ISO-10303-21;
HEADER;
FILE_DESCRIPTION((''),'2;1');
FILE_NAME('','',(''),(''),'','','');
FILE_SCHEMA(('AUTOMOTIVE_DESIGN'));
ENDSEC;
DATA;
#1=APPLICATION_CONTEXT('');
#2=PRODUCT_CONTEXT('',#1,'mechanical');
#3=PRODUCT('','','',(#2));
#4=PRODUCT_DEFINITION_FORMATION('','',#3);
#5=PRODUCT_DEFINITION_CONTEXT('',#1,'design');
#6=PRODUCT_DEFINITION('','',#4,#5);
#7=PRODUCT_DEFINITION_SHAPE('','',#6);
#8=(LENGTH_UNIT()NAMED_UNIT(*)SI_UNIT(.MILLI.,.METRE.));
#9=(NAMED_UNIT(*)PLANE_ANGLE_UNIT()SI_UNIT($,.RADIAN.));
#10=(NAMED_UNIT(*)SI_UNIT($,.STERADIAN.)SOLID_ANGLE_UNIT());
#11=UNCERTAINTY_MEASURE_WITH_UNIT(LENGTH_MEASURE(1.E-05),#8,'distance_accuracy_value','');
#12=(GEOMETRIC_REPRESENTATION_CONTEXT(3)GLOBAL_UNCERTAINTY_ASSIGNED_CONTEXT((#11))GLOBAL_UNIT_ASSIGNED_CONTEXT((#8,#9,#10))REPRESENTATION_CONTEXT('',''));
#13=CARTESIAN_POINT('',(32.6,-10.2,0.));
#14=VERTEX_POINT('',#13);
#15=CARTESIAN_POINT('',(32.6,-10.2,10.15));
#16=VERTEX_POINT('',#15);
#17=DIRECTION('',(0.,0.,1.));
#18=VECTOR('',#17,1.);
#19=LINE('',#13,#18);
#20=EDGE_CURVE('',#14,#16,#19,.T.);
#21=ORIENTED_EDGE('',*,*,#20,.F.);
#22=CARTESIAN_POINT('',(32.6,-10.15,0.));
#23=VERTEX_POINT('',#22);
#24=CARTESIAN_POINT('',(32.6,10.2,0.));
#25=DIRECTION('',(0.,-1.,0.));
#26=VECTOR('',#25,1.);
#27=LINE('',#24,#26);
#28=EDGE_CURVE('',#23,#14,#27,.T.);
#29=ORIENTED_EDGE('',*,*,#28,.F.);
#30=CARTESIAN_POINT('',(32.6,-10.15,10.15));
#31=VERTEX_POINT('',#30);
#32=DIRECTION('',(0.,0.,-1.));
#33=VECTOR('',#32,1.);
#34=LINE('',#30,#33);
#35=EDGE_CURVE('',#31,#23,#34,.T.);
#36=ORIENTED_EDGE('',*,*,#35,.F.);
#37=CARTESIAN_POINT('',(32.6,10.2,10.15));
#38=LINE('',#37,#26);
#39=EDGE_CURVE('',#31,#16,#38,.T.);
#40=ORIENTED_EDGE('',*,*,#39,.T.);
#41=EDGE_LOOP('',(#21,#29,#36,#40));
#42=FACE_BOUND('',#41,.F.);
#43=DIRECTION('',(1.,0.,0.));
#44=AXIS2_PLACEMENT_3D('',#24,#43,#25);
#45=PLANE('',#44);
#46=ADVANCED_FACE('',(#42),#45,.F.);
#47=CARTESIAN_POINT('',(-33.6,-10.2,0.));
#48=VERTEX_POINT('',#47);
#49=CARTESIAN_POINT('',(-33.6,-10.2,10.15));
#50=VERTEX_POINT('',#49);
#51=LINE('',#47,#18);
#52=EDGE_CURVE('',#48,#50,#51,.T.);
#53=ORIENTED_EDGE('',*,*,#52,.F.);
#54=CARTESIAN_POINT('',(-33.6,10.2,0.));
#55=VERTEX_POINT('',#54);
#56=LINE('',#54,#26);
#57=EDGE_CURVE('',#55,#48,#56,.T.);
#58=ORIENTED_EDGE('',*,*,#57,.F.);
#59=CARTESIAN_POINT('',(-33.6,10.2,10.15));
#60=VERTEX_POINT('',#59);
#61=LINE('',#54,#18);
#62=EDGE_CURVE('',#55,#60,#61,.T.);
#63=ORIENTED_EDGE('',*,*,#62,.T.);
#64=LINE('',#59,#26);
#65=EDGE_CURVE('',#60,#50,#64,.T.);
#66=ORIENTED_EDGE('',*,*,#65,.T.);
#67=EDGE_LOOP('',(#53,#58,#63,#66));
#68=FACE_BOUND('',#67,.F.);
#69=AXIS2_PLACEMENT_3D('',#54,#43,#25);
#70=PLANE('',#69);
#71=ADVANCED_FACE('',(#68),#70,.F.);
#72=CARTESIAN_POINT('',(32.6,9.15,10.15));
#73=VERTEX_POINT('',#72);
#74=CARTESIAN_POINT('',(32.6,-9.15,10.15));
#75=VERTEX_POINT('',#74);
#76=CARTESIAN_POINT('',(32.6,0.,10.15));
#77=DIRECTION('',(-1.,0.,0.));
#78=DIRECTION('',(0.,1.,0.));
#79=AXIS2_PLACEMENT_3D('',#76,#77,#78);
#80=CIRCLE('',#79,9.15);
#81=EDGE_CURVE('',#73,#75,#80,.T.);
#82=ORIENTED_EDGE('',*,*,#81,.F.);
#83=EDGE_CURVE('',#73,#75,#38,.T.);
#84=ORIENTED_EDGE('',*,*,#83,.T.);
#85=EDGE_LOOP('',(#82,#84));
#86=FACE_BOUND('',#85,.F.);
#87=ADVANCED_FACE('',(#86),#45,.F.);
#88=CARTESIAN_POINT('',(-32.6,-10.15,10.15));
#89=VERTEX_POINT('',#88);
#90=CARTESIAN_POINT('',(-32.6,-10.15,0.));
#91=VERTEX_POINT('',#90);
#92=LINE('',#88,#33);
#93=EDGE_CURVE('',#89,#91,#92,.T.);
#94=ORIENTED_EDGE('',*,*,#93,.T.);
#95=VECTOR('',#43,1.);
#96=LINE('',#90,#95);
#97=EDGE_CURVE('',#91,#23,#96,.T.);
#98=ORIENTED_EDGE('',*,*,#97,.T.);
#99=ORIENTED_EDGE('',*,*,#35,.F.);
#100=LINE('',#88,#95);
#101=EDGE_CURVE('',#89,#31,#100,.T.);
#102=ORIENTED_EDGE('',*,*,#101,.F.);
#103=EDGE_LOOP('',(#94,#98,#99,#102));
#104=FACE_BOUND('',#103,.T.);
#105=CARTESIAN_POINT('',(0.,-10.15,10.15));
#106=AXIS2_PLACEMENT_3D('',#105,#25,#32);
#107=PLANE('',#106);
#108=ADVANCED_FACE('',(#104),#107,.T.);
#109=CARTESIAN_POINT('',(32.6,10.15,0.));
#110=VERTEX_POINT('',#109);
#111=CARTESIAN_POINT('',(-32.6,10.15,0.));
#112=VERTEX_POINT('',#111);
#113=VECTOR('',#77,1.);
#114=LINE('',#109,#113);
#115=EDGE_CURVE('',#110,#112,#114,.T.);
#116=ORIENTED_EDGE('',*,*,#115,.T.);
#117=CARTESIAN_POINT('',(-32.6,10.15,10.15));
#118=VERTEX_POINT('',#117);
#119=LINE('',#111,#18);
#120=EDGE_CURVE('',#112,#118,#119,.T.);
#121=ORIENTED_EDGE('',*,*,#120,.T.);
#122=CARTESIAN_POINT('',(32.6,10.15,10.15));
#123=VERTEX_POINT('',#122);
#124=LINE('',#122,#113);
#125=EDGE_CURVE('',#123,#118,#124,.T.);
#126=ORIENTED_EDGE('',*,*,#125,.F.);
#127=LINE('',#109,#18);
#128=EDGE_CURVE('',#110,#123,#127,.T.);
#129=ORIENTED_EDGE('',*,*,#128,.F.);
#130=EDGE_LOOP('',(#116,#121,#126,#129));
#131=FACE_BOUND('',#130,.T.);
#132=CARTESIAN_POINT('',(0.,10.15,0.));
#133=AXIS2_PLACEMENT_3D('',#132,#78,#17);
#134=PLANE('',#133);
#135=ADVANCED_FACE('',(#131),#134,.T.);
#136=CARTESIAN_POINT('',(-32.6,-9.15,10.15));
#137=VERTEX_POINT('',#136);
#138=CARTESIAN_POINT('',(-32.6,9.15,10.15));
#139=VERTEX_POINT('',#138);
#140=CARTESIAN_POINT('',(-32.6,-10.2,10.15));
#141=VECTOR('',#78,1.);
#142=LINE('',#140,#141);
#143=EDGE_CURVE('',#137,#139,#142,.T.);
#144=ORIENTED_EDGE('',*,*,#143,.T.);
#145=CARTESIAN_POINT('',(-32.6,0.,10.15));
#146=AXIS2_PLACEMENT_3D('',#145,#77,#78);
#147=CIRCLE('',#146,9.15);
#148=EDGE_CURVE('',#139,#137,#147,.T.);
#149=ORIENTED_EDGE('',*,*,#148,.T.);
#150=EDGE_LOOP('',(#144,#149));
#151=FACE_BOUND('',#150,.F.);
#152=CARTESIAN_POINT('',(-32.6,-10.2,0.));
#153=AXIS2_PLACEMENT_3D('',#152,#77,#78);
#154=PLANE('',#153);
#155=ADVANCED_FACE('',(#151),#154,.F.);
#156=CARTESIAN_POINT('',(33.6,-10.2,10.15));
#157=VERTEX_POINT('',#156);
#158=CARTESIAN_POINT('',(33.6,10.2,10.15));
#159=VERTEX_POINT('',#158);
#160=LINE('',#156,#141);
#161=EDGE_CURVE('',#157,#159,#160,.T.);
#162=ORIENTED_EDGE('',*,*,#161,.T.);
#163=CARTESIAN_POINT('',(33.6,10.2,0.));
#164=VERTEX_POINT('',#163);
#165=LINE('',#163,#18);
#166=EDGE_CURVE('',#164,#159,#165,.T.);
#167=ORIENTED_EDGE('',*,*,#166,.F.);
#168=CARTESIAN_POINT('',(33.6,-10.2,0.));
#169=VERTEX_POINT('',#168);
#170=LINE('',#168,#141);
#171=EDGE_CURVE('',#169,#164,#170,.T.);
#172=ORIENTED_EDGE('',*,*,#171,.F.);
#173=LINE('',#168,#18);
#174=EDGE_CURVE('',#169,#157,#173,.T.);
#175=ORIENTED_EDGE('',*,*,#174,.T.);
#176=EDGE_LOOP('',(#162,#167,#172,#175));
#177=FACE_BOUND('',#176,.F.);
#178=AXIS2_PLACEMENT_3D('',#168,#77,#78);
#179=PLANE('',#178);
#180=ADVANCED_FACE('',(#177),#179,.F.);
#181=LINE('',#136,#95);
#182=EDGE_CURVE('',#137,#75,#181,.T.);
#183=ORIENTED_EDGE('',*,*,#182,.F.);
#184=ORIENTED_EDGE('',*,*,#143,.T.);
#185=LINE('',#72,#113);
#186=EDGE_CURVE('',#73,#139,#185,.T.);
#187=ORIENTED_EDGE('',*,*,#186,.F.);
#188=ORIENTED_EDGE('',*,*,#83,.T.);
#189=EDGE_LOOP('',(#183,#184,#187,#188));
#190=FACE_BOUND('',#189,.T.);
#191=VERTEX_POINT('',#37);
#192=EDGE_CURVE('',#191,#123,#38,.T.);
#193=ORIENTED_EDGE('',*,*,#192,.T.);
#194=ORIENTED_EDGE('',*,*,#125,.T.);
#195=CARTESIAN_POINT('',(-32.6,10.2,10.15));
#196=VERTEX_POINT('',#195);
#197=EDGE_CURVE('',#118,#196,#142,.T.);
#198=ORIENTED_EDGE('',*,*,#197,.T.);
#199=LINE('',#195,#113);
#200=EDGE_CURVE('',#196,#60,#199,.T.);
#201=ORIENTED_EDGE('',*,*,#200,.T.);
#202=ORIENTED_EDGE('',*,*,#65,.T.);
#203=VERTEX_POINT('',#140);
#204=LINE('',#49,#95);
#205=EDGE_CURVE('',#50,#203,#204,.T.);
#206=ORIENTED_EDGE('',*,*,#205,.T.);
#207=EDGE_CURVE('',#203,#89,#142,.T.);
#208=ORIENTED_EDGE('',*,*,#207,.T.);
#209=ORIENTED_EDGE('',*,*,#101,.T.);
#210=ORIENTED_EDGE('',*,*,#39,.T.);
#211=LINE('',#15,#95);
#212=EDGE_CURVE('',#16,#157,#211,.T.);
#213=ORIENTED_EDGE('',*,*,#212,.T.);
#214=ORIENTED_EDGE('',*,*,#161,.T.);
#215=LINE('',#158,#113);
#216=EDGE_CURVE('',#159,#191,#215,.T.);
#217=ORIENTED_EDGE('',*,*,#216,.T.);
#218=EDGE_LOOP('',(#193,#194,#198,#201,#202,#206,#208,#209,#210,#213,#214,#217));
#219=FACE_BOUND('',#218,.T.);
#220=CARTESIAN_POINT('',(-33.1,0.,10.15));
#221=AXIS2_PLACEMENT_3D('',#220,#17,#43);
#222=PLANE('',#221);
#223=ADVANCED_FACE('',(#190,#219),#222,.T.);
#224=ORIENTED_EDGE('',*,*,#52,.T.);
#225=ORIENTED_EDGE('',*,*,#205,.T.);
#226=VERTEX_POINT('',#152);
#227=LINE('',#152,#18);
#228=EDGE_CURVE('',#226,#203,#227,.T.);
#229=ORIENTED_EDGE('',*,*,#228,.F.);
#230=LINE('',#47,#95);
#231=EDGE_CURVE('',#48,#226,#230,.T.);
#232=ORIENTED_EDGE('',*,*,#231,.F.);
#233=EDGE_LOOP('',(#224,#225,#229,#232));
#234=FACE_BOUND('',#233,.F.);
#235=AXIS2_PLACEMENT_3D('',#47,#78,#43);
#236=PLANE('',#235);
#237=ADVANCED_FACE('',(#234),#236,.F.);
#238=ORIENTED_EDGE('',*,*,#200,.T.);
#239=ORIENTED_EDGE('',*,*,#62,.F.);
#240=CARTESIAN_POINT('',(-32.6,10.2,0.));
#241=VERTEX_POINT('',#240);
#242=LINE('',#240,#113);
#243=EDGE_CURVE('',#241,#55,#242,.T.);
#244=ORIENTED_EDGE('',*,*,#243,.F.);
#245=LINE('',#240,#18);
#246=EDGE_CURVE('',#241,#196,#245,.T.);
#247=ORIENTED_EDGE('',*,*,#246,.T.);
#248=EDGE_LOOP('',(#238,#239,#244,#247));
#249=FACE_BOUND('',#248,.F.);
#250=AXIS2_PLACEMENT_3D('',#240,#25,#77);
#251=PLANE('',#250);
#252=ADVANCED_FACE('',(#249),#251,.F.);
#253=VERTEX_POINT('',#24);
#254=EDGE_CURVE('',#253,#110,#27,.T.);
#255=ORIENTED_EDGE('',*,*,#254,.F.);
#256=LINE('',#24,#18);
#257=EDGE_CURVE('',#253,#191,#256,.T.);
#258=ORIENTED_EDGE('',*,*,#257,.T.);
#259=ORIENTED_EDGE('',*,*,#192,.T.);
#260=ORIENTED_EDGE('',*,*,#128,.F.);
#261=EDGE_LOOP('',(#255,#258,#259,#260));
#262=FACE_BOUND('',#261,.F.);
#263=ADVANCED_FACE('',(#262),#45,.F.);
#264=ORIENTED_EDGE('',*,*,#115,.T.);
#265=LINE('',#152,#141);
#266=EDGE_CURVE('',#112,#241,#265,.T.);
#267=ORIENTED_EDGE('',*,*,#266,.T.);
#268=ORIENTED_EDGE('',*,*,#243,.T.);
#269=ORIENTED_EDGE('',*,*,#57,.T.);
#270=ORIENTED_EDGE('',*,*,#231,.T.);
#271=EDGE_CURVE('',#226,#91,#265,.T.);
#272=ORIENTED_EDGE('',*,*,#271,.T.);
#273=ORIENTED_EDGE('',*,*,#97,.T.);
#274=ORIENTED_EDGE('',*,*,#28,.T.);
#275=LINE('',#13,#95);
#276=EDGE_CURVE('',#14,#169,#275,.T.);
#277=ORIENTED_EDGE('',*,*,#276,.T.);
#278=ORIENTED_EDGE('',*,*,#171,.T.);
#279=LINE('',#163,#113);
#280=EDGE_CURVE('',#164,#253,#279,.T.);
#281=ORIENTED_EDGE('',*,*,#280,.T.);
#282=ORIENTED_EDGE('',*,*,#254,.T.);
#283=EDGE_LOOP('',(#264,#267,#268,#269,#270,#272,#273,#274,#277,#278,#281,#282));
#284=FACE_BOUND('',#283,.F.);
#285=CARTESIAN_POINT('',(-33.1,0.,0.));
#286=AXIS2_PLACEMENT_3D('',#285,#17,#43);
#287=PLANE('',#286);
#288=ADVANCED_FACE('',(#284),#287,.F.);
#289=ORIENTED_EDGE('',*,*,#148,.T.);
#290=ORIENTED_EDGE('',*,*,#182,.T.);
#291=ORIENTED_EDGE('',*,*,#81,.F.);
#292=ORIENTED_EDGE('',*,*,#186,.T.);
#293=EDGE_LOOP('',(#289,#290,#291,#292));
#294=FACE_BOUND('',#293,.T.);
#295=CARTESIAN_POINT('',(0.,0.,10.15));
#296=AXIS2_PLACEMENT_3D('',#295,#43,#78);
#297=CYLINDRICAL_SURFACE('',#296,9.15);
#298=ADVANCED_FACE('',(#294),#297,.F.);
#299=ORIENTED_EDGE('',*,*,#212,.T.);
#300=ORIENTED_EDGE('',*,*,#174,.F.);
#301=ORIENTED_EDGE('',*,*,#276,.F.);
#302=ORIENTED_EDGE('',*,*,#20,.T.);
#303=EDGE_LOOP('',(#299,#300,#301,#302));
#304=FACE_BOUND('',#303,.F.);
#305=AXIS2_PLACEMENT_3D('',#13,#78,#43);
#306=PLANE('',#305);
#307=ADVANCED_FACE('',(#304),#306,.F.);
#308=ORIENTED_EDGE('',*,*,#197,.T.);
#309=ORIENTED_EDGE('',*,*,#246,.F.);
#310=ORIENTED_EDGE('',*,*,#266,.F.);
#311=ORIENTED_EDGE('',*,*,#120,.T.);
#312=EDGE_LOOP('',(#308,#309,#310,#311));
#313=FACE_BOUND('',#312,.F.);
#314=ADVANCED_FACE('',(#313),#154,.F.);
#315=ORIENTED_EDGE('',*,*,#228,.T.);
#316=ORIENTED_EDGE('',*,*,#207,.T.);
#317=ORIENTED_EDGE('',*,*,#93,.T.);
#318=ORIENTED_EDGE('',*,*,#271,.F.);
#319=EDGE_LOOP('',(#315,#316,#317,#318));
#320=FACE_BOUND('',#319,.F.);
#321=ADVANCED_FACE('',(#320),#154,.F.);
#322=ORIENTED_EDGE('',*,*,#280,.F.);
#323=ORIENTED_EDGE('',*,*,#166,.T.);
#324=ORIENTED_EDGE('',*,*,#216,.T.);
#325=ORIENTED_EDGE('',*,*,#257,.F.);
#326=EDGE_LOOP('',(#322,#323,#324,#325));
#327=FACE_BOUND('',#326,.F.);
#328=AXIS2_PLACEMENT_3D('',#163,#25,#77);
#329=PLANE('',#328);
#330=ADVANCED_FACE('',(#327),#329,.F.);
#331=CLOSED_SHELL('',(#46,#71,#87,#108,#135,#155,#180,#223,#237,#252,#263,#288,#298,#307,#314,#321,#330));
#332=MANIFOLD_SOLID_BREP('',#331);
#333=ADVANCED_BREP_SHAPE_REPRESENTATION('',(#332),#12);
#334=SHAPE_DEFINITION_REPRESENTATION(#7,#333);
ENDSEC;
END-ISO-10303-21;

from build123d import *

# Parameters (mm, degrees)
F2_DEPTH = 32.6
F3_DEPTH = 10.15


with BuildPart() as f2:
    # F1 (on Right) → F2 (new body, symmetric)
    with BuildSketch(Plane.YZ):
        with BuildLine():
            ThreePointArc((9.15, 10.15), (0, 1), (-9.15, 10.15))
            Line((-9.15, 10.15), (-10.15, 10.15))
            Line((-10.15, 10.15), (-10.15, 0))
            Line((-10.15, 0), (10.15, 0))
            Line((10.15, 0), (10.15, 10.15))
            Line((10.15, 10.15), (9.15, 10.15))
        make_face()
    extrude(amount=F2_DEPTH, both=True)

    # F0 (on Top) → F3 (join, through all)
    with BuildSketch(Plane.XY):
        Polygon((-32.6, -10.2), (-32.6, -9.2), (-32.6, 9.2), (-32.6, 10.2), (-33.6, 10.2), (-33.6, -10.2), align=None)
        Polygon((32.6, 9.2), (32.6, -9.2), (32.6, -10.2), (33.6, -10.2), (33.6, 10.2), (32.6, 10.2), align=None)
    extrude(amount=F3_DEPTH)


solid = f2.part
